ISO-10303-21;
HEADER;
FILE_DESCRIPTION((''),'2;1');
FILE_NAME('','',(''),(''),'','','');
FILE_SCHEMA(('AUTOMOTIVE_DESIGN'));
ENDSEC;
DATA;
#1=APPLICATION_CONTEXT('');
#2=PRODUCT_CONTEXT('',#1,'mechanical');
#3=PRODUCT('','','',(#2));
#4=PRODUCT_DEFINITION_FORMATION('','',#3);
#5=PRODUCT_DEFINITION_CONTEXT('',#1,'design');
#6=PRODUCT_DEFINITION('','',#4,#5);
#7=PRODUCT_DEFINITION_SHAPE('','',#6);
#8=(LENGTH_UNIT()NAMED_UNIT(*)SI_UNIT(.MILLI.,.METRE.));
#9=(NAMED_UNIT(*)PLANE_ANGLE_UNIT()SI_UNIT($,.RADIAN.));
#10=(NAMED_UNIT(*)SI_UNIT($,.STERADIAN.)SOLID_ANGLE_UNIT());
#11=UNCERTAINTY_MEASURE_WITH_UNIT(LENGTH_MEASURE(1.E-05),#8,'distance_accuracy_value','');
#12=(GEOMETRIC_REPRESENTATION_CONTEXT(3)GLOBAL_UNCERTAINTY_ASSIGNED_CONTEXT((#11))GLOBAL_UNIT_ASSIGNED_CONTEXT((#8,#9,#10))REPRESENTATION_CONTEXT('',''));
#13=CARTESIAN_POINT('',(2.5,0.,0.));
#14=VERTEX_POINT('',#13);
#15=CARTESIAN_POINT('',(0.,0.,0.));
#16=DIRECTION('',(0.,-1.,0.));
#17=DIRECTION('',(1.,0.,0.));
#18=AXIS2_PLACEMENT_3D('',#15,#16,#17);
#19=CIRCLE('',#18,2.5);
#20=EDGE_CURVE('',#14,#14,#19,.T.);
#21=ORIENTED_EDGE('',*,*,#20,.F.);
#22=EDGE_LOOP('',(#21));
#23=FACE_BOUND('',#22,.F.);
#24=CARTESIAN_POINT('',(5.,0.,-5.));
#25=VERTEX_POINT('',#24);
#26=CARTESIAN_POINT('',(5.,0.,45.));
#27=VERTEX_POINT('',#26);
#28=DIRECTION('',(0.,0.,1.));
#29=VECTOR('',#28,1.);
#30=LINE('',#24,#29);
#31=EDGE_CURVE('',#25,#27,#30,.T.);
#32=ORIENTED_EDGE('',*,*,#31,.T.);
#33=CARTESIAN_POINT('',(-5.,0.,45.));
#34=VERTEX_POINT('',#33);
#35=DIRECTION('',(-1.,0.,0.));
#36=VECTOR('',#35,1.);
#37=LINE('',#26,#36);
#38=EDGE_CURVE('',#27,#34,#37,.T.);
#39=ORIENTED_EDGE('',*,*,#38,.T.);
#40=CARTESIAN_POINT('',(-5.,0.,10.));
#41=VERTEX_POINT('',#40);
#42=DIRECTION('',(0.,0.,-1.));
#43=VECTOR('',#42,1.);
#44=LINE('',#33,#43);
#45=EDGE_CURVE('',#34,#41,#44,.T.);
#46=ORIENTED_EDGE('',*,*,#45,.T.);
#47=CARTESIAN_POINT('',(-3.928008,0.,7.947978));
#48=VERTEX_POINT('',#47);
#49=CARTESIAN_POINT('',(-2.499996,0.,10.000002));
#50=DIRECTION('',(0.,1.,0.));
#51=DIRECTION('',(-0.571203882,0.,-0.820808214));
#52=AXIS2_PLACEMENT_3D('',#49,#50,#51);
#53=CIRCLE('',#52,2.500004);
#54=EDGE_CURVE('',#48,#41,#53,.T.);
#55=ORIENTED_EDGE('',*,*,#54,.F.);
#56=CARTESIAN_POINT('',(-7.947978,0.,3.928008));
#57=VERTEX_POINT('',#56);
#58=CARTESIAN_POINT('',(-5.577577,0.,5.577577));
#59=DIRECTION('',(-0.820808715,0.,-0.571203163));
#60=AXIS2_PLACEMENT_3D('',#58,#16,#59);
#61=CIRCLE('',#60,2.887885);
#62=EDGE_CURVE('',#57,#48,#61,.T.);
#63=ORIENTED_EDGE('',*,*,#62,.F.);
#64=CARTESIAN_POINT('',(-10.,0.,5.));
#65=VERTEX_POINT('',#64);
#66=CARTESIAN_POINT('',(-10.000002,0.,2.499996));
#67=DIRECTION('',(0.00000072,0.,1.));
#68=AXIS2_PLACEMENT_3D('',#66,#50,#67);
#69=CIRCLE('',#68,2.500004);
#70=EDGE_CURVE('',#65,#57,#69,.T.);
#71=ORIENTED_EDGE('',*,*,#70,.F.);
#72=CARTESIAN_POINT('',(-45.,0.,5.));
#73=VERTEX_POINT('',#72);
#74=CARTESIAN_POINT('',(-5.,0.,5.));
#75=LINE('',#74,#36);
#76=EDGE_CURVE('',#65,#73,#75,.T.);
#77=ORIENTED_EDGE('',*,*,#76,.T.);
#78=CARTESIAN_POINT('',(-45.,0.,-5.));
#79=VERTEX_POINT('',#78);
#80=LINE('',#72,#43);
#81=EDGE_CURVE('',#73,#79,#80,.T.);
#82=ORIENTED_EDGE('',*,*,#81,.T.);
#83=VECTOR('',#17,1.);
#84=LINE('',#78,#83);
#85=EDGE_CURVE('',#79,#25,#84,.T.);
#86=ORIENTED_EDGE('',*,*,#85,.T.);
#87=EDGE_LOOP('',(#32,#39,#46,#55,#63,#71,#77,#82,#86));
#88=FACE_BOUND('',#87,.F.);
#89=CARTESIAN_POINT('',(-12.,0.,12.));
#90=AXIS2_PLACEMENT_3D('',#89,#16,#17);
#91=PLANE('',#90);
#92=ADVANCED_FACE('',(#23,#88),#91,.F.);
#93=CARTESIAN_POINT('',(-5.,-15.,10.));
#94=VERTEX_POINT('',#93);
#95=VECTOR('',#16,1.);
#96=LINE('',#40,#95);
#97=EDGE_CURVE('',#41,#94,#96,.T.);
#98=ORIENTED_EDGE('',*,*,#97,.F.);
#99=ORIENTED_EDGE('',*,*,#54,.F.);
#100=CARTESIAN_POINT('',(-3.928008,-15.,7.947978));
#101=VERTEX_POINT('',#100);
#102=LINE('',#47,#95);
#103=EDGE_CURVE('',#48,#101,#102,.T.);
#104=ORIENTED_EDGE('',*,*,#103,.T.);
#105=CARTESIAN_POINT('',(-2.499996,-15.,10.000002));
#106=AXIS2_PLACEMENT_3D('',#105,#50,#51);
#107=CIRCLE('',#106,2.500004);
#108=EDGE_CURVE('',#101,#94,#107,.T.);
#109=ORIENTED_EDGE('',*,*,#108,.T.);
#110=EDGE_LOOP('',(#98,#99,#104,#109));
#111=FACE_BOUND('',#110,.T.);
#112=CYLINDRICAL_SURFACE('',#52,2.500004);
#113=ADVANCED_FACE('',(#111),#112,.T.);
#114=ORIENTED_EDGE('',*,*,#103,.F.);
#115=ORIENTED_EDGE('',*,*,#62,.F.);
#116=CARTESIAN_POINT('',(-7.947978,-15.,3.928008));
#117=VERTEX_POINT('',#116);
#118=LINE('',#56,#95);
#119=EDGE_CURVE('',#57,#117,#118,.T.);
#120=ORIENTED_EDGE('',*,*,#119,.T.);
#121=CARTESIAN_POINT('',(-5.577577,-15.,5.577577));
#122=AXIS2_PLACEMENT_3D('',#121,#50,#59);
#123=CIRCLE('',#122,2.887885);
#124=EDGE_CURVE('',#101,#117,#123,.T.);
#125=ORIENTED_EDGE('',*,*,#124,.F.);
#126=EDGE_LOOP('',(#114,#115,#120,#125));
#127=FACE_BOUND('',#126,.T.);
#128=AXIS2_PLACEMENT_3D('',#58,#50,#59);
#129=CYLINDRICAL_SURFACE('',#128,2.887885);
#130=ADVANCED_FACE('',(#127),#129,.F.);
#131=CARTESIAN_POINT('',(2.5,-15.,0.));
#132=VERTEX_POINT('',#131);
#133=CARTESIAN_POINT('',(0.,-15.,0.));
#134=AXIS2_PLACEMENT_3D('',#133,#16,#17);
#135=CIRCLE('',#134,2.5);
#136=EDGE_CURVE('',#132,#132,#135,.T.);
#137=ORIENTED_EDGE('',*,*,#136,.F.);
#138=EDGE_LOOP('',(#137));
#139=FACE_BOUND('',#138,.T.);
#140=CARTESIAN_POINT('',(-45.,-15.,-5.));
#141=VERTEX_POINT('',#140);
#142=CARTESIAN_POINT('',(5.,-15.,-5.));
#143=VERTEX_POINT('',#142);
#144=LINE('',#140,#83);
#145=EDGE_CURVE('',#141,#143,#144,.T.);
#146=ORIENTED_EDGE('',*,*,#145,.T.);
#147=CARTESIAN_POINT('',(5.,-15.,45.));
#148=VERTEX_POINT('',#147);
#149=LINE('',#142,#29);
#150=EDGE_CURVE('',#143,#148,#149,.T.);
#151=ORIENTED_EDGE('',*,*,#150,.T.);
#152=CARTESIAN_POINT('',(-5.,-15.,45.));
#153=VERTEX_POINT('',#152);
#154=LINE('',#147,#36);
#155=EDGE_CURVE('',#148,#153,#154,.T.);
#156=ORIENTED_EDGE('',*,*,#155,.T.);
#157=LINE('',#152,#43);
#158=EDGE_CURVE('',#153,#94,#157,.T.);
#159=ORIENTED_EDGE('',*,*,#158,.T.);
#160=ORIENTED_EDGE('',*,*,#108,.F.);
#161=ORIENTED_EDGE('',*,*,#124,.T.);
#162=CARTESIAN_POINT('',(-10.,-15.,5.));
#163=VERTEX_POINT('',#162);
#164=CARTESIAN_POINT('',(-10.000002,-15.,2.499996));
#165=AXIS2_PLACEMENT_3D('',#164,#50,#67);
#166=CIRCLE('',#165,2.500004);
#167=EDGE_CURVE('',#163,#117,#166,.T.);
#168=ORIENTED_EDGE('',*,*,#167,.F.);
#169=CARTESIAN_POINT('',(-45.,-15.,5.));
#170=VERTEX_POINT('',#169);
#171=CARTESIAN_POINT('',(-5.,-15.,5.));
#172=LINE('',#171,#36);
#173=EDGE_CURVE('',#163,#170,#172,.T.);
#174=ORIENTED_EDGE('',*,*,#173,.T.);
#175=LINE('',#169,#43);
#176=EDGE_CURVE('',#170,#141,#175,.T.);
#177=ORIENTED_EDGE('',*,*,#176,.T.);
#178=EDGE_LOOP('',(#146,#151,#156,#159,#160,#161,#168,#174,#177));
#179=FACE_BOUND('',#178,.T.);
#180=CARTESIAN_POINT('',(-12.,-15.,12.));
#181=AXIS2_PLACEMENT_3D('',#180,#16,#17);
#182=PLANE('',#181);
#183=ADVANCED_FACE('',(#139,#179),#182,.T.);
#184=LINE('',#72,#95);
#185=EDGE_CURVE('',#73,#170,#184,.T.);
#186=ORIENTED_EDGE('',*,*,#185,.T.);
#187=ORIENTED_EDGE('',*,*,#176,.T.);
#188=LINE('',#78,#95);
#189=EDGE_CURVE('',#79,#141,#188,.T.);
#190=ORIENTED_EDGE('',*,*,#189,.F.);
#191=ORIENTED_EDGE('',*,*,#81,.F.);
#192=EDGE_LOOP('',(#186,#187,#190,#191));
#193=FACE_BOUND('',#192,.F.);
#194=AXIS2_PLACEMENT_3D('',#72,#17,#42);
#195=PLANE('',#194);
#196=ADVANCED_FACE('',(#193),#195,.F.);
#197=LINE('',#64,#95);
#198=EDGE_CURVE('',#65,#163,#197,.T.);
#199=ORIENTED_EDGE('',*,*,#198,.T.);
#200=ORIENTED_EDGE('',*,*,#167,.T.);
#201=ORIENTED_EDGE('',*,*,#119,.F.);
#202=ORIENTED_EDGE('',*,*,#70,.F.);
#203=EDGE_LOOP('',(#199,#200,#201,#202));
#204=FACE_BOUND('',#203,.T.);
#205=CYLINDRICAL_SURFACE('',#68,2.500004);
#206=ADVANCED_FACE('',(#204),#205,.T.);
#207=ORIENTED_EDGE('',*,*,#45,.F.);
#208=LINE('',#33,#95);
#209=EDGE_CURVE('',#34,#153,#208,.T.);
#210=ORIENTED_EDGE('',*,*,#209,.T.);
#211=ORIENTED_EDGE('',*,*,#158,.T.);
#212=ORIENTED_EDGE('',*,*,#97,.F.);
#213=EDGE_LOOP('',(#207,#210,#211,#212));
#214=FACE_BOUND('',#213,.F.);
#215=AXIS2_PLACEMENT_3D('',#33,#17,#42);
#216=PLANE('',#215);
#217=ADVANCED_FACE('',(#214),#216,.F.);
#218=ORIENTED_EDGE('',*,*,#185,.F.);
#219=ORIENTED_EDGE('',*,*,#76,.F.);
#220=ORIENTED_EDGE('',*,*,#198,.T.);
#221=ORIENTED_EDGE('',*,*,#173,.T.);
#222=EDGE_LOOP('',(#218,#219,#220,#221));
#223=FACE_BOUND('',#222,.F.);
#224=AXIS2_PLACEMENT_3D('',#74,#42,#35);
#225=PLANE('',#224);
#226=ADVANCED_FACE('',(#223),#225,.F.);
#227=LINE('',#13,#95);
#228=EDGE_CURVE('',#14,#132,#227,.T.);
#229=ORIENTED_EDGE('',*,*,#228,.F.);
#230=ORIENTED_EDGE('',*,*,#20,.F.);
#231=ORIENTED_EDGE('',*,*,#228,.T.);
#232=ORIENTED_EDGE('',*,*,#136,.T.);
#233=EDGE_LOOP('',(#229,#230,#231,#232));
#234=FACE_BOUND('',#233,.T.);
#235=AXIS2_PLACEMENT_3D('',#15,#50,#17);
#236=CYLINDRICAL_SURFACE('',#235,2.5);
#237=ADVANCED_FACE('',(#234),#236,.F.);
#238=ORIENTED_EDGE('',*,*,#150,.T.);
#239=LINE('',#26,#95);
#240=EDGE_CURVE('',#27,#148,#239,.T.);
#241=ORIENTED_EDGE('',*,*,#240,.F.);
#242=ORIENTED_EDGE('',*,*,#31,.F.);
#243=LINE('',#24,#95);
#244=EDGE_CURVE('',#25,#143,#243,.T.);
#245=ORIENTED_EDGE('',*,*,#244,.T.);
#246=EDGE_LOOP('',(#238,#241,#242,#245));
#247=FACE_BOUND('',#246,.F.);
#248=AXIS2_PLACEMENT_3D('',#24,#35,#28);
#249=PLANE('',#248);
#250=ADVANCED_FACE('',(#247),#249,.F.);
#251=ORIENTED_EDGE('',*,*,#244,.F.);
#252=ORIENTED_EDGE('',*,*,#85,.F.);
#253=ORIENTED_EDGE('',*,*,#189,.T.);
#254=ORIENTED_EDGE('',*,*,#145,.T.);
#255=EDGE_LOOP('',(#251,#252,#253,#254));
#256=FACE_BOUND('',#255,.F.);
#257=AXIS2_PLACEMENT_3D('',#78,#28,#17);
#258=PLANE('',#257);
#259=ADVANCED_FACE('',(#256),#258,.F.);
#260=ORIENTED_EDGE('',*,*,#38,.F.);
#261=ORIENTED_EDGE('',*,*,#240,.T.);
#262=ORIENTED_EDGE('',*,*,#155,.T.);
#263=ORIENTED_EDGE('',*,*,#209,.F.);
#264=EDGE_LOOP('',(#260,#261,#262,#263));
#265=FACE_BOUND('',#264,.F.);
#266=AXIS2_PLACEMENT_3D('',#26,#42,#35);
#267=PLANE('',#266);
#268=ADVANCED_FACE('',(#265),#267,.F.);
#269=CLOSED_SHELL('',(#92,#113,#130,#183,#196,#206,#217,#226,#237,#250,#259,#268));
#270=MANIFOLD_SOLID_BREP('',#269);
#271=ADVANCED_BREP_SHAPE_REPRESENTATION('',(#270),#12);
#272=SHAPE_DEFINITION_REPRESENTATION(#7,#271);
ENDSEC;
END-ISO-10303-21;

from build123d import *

# Parameters (mm, degrees)
F0_R     = 2.5
F1_DEPTH = 15
F2_R     = 5
F4_DEPTH = 25


with BuildPart() as f1:
    # F0 (on Front) → F1 (new body)
    with BuildSketch(Plane.XZ):
        Polygon((5, 45), (-5, 45), (-5, 5), (-45, 5), (-45, -5), (5, -5), align=None)
        Circle(F0_R, mode=Mode.SUBTRACT)
    extrude(amount=F1_DEPTH)

    # F2
    f2_edges = [f1.edges().sort_by_distance(p)[0] for p in [
        (-5, -7.5, 5),
    ]]
    fillet(f2_edges, radius=F2_R)

    # F3 (on Front) → F4 (cut)
    with BuildSketch(Plane.XZ):
        with BuildLine():
            ThreePointArc((-10, 5), (-8.842421, 4.715854), (-7.947978, 3.928008))
            ThreePointArc((-7.947978, 3.928008), (-3.535534, 3.535534), (-3.928008, 7.947978))
            ThreePointArc((-3.928008, 7.947978), (-4.715854, 8.842421), (-5, 10))
            ThreePointArc((-5, 10), (-6.464466, 6.464466), (-10, 5))
        make_face()
    extrude(amount=F4_DEPTH, mode=Mode.SUBTRACT)


solid = f1.part
